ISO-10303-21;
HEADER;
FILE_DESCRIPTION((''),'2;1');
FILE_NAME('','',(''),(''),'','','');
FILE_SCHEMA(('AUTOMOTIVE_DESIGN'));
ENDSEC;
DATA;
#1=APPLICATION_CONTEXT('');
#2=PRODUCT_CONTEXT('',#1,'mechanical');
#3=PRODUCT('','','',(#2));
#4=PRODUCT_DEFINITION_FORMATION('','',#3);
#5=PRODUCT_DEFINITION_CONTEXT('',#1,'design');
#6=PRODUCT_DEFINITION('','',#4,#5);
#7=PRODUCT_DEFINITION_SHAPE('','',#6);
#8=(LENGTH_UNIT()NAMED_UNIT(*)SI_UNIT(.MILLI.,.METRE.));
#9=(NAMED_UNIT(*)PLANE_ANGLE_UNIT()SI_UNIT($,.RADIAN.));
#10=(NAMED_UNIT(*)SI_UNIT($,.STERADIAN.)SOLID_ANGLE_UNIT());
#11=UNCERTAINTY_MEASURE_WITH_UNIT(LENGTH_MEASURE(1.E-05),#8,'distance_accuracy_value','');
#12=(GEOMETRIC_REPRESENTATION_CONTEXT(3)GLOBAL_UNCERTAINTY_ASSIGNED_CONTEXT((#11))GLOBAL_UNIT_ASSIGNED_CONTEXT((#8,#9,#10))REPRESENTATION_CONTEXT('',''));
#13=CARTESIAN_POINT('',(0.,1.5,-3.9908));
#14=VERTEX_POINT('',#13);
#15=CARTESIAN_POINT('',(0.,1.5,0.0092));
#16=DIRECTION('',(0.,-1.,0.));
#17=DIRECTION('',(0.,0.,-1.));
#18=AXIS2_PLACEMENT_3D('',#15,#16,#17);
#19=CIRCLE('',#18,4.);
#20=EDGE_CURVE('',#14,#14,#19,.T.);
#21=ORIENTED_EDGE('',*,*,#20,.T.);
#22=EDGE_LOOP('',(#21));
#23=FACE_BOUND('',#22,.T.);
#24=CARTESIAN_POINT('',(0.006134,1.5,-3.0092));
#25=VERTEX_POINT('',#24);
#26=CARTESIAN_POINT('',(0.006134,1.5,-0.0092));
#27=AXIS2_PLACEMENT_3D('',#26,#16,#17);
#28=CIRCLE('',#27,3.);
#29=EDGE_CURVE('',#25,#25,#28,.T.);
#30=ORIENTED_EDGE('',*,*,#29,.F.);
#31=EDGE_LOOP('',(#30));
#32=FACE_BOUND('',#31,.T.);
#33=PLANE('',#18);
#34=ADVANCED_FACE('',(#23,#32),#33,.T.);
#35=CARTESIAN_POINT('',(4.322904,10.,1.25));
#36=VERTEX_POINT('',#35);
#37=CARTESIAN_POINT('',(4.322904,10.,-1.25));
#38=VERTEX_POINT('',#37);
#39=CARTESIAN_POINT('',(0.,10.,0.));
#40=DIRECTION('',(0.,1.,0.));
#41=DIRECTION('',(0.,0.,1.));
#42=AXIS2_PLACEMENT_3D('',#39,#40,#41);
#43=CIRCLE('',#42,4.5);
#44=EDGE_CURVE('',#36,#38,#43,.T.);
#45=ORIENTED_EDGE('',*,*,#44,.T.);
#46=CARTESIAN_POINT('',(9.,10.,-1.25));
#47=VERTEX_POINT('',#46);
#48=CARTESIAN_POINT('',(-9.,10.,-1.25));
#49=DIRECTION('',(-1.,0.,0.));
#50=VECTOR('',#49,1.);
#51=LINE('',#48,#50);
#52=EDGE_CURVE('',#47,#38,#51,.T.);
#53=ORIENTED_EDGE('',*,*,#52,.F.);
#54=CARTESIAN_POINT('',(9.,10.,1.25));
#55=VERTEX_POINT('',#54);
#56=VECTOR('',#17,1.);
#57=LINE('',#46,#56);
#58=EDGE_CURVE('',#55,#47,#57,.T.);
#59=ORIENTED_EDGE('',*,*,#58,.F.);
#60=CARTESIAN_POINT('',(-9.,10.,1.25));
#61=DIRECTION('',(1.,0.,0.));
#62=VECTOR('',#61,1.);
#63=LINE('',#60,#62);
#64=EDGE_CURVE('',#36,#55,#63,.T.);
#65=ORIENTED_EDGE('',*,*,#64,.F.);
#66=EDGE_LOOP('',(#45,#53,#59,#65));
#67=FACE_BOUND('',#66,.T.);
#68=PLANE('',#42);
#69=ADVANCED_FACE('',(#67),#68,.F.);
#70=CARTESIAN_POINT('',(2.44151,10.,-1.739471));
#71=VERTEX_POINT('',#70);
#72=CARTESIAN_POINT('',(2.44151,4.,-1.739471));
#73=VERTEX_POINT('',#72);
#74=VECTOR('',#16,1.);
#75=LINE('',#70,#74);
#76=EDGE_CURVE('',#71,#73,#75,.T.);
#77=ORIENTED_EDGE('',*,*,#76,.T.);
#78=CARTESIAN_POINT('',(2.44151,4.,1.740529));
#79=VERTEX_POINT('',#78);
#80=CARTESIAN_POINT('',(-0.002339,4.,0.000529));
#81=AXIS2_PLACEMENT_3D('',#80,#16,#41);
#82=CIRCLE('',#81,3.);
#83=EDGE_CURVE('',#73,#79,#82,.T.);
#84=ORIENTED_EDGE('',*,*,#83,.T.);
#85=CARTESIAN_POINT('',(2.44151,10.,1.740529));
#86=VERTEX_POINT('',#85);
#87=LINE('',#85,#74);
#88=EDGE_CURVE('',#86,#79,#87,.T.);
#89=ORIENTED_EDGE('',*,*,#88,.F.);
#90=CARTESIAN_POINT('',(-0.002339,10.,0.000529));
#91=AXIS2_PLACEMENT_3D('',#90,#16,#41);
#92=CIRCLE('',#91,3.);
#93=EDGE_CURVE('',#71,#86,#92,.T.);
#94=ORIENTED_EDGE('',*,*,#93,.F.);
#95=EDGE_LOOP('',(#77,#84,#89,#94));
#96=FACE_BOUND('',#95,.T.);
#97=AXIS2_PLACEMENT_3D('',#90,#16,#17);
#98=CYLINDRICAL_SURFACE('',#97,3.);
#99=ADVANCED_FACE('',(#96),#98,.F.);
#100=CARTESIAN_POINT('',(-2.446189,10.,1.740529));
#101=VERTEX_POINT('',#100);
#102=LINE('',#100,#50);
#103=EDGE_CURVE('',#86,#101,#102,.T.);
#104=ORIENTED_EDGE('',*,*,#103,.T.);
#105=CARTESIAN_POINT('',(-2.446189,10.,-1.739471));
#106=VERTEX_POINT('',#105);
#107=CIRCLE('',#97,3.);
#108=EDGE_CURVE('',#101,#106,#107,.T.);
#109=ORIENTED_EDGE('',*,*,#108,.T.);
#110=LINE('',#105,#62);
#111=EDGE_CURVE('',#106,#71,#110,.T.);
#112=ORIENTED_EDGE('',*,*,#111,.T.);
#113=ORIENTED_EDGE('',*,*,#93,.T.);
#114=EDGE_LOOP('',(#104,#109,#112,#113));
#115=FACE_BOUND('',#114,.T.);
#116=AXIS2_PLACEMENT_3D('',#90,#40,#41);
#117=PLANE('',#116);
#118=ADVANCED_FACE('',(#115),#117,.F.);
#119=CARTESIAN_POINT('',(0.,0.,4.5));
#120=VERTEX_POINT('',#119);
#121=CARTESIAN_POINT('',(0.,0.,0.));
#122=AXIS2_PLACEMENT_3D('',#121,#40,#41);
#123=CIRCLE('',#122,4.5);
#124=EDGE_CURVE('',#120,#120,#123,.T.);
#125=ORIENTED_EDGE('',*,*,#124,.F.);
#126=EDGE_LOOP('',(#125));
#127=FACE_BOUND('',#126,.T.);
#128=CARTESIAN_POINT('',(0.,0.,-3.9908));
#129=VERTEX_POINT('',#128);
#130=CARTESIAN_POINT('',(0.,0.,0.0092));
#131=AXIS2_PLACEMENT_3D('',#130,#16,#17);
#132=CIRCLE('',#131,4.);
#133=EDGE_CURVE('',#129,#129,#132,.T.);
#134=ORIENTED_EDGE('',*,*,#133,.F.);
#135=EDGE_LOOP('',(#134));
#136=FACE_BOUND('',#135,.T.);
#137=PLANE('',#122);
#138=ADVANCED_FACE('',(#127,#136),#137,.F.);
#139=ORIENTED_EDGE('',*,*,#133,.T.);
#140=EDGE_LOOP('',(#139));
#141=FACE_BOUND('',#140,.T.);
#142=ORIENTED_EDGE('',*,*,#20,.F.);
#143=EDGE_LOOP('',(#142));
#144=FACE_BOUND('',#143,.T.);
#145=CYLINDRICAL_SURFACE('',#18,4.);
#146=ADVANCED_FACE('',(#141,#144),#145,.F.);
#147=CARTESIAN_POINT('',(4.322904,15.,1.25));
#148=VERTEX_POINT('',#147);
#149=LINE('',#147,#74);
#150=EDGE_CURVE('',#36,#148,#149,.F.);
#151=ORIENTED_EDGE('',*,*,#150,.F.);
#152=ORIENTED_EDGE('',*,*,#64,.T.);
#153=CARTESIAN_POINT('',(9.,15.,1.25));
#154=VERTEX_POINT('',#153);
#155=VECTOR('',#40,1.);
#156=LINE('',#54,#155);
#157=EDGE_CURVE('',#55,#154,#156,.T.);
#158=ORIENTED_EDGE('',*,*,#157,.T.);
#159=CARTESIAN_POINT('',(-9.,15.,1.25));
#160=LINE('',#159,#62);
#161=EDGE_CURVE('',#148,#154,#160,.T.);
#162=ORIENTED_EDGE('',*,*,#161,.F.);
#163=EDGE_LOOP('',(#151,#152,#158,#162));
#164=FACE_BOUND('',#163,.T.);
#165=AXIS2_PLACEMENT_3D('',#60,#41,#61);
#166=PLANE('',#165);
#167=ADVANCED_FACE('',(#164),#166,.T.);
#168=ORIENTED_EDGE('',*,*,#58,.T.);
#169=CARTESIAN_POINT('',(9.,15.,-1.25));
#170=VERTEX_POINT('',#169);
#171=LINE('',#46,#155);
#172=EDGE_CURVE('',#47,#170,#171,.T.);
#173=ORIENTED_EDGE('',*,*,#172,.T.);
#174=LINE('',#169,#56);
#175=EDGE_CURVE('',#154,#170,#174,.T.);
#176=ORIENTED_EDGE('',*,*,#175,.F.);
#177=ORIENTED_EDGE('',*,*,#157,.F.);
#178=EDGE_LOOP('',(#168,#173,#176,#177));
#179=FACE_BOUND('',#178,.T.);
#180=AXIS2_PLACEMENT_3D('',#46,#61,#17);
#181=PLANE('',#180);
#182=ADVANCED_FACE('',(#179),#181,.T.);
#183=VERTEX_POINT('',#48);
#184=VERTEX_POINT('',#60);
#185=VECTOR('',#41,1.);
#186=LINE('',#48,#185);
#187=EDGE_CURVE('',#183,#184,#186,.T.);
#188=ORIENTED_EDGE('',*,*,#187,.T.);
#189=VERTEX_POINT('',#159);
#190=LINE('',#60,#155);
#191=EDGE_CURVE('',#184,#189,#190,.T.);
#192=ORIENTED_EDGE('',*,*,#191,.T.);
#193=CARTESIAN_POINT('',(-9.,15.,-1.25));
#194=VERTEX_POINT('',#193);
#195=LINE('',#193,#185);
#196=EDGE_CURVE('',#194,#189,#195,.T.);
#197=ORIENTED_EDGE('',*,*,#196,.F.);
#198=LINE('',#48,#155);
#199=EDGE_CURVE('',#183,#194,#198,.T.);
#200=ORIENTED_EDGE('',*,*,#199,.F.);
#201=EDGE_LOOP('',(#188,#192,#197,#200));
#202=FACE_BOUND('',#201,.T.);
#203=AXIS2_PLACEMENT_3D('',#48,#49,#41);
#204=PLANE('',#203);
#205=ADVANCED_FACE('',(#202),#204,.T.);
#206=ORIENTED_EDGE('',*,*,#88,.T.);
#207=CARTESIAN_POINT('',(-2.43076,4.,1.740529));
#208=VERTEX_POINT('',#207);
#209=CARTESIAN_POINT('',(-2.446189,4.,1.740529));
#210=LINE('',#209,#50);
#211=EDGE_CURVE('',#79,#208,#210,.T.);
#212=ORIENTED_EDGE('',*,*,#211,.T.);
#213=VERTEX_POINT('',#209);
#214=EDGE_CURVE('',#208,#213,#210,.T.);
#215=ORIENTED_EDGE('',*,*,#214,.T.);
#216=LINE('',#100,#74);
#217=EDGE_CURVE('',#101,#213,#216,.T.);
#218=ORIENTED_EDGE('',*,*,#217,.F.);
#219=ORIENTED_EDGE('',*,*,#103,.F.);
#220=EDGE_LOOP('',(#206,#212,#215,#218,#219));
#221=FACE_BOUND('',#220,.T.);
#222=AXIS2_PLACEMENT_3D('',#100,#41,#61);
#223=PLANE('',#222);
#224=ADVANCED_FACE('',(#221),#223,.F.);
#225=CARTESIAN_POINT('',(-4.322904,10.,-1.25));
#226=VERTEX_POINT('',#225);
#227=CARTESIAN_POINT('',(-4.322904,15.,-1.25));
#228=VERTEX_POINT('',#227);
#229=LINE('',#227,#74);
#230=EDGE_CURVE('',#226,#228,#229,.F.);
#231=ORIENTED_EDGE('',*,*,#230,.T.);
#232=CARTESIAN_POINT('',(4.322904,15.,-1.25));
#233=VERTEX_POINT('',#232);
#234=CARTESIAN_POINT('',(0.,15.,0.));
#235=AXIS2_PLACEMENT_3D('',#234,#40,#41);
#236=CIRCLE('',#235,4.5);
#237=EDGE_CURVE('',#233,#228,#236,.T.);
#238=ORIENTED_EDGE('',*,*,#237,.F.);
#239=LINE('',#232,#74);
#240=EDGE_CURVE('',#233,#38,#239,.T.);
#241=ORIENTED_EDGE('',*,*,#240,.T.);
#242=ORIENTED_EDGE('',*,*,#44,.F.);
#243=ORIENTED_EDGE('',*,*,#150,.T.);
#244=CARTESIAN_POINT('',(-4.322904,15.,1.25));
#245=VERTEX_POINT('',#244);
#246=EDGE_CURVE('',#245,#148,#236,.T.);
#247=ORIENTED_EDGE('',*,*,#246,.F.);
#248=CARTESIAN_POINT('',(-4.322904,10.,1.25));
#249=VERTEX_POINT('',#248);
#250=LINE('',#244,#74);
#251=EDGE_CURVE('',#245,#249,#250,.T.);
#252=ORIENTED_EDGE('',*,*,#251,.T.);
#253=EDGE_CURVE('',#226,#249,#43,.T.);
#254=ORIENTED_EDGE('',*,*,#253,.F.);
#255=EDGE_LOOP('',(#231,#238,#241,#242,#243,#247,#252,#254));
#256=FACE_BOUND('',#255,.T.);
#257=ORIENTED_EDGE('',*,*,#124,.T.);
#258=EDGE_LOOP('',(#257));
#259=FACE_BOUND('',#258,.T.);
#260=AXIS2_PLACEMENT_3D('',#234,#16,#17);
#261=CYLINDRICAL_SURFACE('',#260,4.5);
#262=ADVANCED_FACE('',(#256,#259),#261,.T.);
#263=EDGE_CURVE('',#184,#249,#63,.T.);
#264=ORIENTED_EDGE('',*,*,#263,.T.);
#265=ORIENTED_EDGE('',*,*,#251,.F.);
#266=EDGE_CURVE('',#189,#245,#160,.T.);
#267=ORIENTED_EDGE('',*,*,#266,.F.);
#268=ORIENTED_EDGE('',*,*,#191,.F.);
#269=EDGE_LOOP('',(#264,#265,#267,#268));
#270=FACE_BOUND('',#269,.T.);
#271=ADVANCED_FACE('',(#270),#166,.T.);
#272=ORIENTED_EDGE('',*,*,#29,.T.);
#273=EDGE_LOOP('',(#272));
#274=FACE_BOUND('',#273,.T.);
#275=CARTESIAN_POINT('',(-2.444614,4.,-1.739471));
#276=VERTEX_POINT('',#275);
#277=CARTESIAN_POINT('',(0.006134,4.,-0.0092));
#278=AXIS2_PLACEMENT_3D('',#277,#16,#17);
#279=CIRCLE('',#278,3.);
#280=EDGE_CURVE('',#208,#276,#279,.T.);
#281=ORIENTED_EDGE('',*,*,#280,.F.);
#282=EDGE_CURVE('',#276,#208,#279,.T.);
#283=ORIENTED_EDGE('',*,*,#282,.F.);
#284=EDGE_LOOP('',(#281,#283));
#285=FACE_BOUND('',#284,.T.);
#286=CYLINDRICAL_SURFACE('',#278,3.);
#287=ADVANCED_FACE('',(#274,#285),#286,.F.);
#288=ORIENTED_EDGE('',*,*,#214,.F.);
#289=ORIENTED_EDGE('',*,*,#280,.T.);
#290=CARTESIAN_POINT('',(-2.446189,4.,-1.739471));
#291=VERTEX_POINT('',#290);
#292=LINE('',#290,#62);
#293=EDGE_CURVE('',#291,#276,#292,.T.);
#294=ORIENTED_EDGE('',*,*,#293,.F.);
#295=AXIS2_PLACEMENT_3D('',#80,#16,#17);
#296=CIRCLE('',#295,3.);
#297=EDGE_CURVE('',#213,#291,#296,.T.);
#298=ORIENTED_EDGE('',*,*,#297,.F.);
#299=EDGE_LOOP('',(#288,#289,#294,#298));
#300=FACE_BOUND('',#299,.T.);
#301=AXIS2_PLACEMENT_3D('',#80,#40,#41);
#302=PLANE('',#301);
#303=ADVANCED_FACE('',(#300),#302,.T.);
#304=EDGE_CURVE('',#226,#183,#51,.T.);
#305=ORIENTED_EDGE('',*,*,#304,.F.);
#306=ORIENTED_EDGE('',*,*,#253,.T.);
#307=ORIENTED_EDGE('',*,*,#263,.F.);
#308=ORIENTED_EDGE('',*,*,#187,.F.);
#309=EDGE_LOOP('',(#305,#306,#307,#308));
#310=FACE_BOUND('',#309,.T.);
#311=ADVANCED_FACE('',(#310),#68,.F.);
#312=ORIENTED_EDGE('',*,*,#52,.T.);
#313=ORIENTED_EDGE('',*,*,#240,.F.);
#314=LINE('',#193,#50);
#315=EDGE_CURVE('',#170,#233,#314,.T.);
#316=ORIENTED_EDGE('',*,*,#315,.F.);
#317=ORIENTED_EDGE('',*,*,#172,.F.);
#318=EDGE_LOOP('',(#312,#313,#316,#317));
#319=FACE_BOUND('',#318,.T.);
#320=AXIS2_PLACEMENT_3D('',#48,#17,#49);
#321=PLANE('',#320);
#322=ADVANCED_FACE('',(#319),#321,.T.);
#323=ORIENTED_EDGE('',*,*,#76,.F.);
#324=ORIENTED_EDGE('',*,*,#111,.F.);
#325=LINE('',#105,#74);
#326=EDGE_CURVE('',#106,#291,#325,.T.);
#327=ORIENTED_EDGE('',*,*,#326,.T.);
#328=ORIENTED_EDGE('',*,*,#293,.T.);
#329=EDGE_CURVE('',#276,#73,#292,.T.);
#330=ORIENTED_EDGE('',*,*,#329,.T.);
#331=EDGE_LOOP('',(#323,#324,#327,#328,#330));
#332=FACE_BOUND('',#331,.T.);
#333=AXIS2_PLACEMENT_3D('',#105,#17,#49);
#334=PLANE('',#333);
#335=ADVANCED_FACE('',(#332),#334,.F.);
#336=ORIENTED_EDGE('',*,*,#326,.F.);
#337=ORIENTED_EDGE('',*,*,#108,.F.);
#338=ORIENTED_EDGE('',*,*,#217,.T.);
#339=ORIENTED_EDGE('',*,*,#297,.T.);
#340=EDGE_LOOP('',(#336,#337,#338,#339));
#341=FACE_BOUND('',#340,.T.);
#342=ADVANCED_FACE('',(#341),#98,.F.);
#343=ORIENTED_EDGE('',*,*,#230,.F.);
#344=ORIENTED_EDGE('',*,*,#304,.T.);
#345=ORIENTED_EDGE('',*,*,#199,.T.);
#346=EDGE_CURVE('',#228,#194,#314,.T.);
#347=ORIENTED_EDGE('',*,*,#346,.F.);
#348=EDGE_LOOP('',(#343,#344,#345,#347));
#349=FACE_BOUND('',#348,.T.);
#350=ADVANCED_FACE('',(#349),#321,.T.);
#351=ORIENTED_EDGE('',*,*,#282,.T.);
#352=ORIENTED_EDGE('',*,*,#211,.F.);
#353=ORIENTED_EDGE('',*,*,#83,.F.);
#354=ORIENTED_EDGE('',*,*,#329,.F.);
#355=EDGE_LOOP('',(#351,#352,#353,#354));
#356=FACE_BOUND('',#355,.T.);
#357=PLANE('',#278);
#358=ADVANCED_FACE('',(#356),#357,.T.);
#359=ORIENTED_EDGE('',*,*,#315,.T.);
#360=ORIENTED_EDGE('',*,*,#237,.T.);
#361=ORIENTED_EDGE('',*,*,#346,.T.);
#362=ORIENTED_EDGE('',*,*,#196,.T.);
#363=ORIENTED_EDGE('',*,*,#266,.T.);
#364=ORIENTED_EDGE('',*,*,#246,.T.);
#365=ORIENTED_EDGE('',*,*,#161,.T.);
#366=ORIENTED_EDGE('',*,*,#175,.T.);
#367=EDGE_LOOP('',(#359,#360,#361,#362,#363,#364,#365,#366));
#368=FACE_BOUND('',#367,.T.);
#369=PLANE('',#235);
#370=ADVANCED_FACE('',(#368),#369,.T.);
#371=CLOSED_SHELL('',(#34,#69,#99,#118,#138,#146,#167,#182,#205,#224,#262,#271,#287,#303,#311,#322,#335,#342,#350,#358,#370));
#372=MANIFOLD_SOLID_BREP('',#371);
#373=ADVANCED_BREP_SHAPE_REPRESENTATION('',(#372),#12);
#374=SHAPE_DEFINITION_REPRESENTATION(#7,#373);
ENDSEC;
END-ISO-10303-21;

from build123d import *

# Parameters (mm, degrees)
SKETCH2_R           = 4.5
BOSS_EXTRUDE1_DEPTH = 15
SKETCH4_R           = 4
CUT_EXTRUDE2_DEPTH  = 1.5
SKETCH5_R           = 3
CUT_EXTRUDE3_DEPTH  = 2.5
CUT_EXTRUDE4_DEPTH  = 6
SKETCH7_W           = 18
SKETCH7_H           = 2.5
BOSS_EXTRUDE2_DEPTH = 5


with BuildPart() as part:
    # Sketch2 → Boss-Extrude1 (new body)
    with BuildSketch(Plane(origin=(0, 0, 0), x_dir=(1, 0, 0), z_dir=(0, 1, 0))):
        Circle(SKETCH2_R)
    extrude(amount=BOSS_EXTRUDE1_DEPTH)

    # Sketch4 → Cut-Extrude2 (cut)
    with BuildSketch(Plane.XZ):
        with Locations((0, 0.009200476)):
            Circle(SKETCH4_R)
    extrude(amount=-CUT_EXTRUDE2_DEPTH, mode=Mode.SUBTRACT)

    # Sketch5 → Cut-Extrude3 (cut)
    with BuildSketch(Plane.XZ.offset(-1.5)):
        with Locations((0.006133651, -0.009200476)):
            Circle(SKETCH5_R)
    extrude(amount=-CUT_EXTRUDE3_DEPTH, mode=Mode.SUBTRACT)

    # Sketch6 → Cut-Extrude4 (cut)
    with BuildSketch(Plane.XZ.offset(-4)):
        with BuildLine():
            Line((-2.446188527, -1.739471433), (2.441510318, -1.739471433))
            ThreePointArc((2.441510318, -1.739471433), (2.997660896, 0.000528567), (2.441510318, 1.740528567))
            Line((2.441510318, 1.740528567), (-2.446188527, 1.740528567))
            ThreePointArc((-2.446188527, 1.740528567), (-3.002339104, 0.000528567), (-2.446188527, -1.739471433))
        make_face()
    extrude(amount=-CUT_EXTRUDE4_DEPTH, mode=Mode.SUBTRACT)

    # Sketch7 → Boss-Extrude2 (add)
    with BuildSketch(Plane(origin=(0, 15, 0), x_dir=(1, 0, 0), z_dir=(0, 1, 0))):
        Rectangle(SKETCH7_W, SKETCH7_H)
    extrude(amount=-BOSS_EXTRUDE2_DEPTH)


solid = part.part
